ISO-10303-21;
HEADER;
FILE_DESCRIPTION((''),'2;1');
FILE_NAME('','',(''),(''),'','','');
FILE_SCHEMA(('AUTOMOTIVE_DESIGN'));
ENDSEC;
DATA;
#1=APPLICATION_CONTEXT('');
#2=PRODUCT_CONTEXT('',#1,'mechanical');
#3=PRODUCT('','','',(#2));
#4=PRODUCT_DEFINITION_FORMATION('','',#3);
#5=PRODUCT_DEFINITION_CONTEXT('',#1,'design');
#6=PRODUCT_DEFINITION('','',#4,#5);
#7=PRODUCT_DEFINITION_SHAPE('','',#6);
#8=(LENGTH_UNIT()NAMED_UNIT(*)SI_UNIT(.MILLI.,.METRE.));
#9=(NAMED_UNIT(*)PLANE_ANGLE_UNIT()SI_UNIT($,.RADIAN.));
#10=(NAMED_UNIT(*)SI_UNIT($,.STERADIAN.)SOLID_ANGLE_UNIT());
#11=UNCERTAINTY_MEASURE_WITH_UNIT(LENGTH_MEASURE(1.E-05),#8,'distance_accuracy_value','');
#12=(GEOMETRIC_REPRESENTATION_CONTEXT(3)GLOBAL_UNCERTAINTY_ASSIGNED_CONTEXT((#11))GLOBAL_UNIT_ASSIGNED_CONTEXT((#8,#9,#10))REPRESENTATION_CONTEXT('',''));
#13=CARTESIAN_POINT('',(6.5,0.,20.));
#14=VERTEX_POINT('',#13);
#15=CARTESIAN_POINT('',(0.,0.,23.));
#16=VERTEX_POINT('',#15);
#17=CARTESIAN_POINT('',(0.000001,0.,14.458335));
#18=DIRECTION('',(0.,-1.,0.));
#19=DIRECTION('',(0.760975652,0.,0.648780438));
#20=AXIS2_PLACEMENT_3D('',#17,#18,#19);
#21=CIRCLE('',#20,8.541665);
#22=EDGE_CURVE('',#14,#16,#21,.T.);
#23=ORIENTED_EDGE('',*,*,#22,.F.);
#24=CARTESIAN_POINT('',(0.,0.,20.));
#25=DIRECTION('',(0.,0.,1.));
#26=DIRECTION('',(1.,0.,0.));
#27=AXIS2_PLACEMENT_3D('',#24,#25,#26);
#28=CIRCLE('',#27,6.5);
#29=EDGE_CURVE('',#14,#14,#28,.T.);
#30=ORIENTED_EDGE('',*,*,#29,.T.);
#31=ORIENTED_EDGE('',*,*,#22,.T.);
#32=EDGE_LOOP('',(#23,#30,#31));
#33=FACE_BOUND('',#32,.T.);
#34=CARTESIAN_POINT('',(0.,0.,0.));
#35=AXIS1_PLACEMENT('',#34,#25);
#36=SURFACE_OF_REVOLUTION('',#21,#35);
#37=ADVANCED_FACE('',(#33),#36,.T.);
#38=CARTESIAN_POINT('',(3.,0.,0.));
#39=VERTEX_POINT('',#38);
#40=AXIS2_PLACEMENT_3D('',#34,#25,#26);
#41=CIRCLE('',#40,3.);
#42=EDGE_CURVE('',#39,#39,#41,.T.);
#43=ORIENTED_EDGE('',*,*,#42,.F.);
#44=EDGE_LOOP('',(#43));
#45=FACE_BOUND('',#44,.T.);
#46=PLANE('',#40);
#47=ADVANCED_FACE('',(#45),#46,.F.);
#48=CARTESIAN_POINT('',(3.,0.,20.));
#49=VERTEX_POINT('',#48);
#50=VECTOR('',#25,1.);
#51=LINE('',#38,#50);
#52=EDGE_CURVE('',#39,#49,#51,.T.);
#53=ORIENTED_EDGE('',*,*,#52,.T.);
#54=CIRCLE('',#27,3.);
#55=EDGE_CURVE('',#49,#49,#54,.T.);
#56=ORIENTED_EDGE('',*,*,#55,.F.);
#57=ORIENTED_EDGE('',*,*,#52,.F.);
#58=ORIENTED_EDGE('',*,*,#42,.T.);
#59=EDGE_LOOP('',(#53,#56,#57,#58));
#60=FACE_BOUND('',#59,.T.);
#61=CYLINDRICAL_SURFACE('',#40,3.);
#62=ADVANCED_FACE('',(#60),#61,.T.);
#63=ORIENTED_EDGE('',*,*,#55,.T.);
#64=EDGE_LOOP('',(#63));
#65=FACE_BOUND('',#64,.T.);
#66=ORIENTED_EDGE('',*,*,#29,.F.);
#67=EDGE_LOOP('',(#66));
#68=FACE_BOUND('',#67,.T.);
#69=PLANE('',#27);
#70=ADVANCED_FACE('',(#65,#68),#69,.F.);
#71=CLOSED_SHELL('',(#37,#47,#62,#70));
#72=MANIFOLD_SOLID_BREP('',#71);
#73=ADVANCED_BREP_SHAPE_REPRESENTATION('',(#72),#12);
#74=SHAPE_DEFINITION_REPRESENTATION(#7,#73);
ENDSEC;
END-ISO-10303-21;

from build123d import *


with BuildPart() as part:
    # Sketch → Revolution (revolve)
    with BuildSketch(Plane.XZ):
        with BuildLine():
            Line((0, 23), (0, 0))
            Line((0, 0), (3, 0))
            Line((3, 0), (3, 20))
            Line((3, 20), (6.5, 20))
            ThreePointArc((6.5, 20), (3.579455, 22.21382), (0, 23))
        make_face()
    revolve(axis=Axis((0, 0, 0), (0, 0, 1)))


solid = part.part
